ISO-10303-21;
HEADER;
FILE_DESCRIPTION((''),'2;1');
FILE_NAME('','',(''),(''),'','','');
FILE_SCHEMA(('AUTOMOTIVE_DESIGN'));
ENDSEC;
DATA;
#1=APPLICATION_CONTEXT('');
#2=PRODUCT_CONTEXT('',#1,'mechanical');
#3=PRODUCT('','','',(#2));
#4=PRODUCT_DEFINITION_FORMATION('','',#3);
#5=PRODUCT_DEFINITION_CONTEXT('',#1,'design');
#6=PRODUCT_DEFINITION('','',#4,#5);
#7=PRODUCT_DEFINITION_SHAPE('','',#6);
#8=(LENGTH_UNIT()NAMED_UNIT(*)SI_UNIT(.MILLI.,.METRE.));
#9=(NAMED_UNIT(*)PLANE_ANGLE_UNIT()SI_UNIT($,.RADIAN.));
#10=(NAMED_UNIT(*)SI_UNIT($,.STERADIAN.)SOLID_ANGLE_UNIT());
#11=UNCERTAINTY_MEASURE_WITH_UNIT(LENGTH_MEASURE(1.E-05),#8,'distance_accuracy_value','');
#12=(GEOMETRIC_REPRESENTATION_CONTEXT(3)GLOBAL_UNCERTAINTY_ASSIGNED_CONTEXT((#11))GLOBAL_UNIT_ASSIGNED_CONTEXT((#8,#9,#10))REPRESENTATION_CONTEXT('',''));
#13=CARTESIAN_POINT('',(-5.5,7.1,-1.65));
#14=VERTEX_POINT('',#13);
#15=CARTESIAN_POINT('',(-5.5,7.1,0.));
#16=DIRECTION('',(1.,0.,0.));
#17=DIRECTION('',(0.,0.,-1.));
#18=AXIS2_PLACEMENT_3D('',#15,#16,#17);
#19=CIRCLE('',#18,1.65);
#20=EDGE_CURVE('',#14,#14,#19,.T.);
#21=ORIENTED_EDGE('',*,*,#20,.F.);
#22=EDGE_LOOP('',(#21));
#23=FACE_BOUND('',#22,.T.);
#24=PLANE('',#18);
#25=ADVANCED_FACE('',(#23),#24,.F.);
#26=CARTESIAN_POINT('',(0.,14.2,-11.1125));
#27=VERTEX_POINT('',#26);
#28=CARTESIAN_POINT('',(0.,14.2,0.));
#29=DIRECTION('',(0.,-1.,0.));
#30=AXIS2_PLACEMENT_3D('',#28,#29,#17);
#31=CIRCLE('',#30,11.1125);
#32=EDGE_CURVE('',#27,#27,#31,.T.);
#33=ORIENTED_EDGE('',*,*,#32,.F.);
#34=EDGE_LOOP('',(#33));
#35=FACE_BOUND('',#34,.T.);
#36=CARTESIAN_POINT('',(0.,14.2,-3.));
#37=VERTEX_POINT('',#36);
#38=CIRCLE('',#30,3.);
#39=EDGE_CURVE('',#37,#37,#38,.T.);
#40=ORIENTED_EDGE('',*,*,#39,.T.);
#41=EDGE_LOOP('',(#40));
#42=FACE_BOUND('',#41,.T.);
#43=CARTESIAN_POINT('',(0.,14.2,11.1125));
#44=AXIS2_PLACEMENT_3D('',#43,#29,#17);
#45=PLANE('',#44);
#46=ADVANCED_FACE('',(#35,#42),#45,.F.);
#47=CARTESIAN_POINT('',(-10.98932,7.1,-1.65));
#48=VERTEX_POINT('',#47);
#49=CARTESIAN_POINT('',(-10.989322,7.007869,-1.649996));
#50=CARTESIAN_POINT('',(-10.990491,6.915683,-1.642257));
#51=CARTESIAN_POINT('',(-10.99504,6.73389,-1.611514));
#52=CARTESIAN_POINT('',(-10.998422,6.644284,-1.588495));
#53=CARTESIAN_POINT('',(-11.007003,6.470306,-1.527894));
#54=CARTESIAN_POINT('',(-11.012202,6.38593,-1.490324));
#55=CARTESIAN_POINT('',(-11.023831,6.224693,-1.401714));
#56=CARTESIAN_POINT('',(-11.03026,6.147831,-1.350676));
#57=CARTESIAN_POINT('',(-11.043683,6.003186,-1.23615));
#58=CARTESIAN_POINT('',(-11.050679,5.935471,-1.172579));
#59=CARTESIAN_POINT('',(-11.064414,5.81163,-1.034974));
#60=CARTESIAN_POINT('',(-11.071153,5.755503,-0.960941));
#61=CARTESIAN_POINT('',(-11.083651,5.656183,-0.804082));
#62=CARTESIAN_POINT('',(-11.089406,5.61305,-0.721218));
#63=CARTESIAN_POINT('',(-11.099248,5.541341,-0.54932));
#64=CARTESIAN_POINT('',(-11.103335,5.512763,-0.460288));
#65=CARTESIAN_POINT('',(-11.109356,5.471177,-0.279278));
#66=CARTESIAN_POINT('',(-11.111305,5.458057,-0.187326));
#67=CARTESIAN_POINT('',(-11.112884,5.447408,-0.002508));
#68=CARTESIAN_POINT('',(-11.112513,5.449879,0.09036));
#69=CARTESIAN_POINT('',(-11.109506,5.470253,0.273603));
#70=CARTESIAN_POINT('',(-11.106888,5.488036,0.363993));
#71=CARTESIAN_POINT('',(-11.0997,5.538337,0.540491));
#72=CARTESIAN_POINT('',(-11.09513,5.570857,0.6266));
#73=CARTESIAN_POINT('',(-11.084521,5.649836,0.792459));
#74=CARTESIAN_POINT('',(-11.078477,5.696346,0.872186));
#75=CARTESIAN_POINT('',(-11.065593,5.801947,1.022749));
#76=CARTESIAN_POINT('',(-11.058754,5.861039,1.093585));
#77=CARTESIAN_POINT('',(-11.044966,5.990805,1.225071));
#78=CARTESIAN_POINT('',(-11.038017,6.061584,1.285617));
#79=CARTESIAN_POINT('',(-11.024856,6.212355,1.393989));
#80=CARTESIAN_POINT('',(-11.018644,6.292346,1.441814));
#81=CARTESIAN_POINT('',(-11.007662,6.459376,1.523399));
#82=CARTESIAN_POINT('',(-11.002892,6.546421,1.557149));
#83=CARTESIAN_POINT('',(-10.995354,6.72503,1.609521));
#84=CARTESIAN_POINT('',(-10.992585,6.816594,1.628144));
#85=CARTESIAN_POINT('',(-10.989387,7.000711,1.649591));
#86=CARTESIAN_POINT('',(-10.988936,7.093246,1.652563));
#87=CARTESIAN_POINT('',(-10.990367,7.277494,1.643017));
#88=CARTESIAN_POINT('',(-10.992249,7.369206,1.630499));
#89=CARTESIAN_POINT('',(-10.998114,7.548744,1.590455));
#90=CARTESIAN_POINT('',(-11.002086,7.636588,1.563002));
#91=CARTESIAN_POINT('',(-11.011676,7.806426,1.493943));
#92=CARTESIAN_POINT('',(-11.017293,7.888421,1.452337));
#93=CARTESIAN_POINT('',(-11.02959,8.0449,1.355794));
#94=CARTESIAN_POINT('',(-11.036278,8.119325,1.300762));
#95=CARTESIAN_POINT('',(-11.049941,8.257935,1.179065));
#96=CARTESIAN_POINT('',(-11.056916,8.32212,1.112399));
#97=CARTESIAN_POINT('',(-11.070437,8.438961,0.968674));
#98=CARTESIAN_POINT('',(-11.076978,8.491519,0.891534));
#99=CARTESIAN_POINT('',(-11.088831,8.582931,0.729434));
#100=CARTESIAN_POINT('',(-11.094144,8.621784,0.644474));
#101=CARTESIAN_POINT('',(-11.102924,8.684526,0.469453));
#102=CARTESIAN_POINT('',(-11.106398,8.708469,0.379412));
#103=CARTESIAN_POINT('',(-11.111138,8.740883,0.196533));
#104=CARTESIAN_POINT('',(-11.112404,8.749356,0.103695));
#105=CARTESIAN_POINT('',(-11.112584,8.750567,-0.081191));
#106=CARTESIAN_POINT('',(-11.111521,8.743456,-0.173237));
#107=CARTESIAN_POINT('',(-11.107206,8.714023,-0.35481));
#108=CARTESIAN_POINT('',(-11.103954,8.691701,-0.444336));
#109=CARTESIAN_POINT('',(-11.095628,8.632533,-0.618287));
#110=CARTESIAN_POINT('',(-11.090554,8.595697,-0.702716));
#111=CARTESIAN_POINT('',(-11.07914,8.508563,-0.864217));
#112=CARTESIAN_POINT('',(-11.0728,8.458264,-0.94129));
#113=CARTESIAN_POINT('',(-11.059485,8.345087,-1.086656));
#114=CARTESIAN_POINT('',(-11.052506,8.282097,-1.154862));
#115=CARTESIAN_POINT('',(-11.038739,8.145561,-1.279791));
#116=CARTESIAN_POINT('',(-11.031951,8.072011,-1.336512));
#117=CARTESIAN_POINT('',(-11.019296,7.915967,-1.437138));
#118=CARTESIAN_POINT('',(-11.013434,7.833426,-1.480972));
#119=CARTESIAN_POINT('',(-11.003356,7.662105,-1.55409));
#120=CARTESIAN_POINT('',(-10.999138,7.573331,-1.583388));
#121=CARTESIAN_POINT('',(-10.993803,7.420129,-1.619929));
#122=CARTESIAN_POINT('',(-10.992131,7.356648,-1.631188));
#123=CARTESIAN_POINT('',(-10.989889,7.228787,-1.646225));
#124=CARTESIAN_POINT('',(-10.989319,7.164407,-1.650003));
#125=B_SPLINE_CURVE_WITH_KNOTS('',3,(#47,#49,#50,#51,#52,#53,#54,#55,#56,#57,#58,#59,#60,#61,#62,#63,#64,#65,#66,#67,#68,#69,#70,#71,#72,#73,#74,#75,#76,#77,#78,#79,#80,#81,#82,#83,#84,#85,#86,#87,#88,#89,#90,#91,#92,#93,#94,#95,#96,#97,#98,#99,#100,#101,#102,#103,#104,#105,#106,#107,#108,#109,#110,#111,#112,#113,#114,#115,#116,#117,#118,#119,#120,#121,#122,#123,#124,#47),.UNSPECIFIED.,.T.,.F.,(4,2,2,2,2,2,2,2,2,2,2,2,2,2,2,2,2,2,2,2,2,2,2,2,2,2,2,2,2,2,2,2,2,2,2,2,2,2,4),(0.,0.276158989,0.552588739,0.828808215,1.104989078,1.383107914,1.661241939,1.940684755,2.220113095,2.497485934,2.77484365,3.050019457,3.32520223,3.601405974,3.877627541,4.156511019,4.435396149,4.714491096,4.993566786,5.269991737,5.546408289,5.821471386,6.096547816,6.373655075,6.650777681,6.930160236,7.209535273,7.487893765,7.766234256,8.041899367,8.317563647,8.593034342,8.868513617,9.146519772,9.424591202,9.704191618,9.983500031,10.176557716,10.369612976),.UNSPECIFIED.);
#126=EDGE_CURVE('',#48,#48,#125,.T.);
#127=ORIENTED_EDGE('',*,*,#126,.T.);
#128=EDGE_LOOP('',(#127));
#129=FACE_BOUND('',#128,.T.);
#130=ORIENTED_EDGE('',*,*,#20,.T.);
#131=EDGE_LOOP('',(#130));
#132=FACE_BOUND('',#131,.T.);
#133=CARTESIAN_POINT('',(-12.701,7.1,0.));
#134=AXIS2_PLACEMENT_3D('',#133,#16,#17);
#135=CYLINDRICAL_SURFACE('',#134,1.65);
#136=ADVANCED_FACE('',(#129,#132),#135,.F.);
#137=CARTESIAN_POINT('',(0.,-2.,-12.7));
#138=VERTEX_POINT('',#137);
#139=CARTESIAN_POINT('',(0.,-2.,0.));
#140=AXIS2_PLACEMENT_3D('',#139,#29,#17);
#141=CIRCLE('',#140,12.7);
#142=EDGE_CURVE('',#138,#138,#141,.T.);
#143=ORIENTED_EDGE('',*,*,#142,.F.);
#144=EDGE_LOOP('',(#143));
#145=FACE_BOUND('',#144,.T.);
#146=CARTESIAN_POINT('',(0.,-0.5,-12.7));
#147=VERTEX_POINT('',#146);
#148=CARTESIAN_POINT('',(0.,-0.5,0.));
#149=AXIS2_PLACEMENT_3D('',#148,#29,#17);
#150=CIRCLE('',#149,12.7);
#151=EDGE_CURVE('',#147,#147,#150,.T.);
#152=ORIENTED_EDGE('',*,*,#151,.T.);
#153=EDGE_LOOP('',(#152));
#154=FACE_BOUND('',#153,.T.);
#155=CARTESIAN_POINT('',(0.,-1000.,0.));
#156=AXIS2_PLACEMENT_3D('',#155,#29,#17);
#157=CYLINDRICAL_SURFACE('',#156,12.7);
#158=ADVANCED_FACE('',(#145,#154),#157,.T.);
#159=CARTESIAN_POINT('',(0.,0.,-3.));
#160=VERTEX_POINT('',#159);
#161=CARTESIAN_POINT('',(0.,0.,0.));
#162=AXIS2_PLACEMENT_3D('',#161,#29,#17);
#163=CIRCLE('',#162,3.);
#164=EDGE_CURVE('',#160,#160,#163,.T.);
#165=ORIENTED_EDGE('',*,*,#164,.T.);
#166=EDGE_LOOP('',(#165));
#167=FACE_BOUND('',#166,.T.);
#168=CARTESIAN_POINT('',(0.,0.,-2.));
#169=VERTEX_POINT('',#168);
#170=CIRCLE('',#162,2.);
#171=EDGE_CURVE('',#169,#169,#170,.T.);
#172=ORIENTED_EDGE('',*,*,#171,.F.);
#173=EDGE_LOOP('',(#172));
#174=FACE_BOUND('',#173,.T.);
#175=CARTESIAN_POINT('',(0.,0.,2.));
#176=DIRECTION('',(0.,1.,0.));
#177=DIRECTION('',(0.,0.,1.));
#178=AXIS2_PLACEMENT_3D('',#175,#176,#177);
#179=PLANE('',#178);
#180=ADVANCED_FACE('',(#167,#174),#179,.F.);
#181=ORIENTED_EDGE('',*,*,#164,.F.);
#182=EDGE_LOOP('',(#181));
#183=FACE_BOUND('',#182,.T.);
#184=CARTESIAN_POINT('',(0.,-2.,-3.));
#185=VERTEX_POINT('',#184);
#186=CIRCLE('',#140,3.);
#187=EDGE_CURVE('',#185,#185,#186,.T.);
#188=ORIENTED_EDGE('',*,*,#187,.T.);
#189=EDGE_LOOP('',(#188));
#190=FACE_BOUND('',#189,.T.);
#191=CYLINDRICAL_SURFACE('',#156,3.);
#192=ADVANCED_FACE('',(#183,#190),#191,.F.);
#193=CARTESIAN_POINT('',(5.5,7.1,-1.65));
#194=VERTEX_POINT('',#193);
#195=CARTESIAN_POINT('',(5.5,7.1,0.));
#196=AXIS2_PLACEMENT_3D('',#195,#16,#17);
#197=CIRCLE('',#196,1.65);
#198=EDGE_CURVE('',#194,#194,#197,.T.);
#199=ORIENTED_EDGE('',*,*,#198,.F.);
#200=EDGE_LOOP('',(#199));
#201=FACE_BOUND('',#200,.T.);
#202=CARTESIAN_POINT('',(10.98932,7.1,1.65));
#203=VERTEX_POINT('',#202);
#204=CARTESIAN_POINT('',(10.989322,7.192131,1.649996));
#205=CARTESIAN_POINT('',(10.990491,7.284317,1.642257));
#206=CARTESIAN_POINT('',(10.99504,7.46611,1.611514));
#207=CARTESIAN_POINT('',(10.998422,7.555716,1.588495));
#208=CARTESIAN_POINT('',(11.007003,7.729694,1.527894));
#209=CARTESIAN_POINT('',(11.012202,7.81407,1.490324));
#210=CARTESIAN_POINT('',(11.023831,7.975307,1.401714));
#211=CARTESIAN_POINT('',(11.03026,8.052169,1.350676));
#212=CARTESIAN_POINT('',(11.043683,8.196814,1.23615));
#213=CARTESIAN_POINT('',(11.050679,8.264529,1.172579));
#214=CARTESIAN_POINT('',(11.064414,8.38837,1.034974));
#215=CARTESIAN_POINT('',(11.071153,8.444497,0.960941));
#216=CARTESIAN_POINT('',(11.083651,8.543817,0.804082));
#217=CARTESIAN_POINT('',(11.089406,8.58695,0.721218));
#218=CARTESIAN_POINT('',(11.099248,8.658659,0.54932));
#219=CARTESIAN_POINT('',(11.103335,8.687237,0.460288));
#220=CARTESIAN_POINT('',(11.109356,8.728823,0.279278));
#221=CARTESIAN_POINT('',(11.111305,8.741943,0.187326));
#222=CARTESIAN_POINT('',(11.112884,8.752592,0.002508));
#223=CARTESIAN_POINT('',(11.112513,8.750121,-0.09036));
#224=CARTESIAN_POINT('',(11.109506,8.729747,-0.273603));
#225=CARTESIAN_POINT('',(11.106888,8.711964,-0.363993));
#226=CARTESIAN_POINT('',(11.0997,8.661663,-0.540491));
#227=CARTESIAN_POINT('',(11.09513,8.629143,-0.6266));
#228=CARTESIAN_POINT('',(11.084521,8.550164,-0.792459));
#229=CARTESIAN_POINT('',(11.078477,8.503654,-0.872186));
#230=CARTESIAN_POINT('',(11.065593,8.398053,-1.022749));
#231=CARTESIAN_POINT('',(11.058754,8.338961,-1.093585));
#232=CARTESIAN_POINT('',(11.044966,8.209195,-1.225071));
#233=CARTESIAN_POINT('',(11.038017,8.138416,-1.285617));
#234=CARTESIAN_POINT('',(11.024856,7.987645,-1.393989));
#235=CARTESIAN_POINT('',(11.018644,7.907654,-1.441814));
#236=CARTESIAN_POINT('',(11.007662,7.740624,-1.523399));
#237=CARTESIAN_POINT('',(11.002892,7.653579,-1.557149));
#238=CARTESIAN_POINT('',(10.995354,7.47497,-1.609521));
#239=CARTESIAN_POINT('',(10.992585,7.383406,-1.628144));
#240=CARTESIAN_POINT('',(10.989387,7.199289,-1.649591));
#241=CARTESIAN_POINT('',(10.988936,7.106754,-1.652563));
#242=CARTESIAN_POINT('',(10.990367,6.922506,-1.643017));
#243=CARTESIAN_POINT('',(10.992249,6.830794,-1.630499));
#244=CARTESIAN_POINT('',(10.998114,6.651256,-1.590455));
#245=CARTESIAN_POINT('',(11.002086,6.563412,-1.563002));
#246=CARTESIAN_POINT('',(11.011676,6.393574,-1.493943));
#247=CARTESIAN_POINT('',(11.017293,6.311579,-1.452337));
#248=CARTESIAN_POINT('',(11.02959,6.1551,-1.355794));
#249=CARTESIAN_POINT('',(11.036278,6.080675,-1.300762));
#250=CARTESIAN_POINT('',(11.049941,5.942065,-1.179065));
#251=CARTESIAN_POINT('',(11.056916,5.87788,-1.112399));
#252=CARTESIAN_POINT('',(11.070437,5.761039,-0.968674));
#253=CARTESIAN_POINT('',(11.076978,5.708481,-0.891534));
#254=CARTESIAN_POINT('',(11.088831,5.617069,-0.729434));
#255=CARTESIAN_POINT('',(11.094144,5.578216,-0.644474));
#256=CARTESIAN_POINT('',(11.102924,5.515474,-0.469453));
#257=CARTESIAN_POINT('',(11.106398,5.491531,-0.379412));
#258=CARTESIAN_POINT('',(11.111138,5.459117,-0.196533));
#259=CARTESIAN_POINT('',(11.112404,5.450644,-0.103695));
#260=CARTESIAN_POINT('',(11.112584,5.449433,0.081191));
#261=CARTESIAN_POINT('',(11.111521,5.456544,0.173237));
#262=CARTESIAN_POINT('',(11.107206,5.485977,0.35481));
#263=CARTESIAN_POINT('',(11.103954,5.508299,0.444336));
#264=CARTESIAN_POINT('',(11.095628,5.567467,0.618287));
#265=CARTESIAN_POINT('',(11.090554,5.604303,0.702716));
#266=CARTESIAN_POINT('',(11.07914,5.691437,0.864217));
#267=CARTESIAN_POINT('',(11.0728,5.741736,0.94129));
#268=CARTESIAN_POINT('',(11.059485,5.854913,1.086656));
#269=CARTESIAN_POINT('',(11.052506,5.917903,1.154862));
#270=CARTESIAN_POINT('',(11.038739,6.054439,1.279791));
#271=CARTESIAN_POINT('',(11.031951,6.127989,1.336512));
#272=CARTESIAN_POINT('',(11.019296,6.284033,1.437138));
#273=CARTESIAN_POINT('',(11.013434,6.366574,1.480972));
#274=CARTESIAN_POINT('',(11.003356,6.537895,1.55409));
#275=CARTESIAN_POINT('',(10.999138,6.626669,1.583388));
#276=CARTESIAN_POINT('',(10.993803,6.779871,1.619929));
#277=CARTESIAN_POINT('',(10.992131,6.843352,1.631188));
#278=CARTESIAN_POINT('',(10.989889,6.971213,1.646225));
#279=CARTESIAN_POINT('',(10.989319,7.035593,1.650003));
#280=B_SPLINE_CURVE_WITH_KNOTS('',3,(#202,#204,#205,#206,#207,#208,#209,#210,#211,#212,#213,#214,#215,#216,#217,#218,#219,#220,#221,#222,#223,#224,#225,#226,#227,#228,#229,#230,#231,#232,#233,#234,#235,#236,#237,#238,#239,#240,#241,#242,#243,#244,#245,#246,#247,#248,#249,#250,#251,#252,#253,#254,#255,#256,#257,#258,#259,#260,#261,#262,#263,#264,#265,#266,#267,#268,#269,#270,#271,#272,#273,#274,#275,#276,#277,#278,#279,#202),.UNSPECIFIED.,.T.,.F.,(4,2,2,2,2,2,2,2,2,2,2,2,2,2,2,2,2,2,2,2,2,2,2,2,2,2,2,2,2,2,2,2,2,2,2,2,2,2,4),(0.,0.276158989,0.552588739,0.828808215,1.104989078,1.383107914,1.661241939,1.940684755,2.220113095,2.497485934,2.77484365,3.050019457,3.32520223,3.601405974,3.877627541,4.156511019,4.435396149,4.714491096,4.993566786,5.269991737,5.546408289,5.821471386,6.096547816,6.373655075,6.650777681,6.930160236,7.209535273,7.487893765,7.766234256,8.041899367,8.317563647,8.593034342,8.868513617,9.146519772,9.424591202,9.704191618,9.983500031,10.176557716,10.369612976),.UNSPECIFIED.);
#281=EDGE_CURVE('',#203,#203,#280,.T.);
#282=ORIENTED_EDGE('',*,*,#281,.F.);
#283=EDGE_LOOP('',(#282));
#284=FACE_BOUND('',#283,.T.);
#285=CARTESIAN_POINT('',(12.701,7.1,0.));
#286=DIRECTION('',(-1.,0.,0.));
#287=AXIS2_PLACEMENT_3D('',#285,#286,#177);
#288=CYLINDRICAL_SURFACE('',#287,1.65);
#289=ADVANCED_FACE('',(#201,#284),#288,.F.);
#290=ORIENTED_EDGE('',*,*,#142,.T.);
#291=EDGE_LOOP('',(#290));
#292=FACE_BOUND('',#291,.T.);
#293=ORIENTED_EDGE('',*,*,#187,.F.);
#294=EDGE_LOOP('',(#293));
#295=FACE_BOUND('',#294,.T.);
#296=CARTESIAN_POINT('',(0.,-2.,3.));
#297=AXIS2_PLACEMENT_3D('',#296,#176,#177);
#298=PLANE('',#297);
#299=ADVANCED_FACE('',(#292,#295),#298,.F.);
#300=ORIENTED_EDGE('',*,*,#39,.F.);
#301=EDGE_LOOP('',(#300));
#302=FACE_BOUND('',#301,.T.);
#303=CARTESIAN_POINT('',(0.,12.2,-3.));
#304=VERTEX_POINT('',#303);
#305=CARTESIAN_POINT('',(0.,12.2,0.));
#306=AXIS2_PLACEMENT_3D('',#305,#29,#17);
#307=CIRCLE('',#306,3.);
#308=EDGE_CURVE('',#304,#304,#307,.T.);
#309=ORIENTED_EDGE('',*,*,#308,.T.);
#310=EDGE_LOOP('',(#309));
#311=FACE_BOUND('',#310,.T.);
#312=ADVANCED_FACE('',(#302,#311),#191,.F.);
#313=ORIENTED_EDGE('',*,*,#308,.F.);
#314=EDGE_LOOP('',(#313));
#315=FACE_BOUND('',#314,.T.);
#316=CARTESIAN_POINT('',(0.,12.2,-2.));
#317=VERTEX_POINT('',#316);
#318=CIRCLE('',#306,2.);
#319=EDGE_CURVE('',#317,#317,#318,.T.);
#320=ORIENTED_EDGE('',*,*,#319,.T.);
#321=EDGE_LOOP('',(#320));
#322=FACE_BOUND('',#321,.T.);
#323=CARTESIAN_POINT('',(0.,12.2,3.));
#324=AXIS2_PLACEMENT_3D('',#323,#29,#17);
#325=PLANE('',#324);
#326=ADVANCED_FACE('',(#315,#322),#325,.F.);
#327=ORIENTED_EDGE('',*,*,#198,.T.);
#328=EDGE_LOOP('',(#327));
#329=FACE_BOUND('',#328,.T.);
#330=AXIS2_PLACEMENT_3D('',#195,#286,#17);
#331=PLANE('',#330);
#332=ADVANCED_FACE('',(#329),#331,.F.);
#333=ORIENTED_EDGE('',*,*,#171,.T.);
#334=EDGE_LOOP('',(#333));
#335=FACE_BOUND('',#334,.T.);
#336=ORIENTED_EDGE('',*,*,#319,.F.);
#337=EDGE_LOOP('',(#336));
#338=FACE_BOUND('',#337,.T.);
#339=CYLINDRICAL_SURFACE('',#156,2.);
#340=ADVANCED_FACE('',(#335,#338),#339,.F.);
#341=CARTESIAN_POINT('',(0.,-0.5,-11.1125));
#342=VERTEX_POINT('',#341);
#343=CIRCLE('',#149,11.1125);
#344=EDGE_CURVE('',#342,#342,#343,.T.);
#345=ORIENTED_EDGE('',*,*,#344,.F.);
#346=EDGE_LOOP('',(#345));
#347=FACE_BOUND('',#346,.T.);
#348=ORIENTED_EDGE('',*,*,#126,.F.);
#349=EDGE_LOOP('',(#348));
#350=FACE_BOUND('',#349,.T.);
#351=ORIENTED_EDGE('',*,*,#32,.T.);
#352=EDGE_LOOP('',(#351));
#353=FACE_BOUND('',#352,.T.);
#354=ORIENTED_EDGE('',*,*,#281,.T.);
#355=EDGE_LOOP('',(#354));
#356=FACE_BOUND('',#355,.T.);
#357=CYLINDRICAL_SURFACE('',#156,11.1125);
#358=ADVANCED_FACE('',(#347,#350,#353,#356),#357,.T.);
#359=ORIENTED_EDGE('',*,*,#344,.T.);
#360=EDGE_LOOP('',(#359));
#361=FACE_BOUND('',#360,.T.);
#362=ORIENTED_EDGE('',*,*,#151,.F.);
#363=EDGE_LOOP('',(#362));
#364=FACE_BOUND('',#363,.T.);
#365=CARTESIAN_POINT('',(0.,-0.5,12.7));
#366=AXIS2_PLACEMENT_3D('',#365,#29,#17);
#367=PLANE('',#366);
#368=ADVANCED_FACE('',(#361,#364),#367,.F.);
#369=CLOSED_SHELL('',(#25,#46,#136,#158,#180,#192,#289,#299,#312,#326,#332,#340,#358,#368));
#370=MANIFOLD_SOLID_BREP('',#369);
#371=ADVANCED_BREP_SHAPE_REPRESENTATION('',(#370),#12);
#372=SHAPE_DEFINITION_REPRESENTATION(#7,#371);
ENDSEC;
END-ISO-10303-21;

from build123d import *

# Parameters (mm, degrees)
CUT_EXTRUDE1_REACH      = 30.396
CUT_EXTRUDE1_END_RADIUS = 11.1125
CUT_EXTRUDE1_START      = -5.5
SKETCH2_R               = 1.65


with BuildPart() as part:
    # Sketch1 → Revolve1 (revolve)
    with BuildSketch(Plane(origin=(0, 0, 0), x_dir=(0, 0, -1), z_dir=(1, 0, 0)), mode=Mode.PRIVATE) as revolve1_sk:
        Polygon((-2, 0), (-3, 0), (-3, -2), (-12.7, -2), (-12.7, -0.5), (-11.1125, -0.5), (-11.1125, 14.2), (-3, 14.2), (-3, 12.2), (-2, 12.2), align=None)
    revolve(revolve1_sk.sketch.rotate(Axis((0, -1000, 0), (0, 1, 0)), 180), axis=Axis((0, -1000, 0), (0, 1, 0)))

    # Cut-Extrude1: up to this cylinder (the profile starts inside it)
    cut_extrude1_end = Plane(origin=(0, 7.1, 0), z_dir=(0, -1, 0)) * Cylinder(CUT_EXTRUDE1_END_RADIUS, 84.017, mode=Mode.PRIVATE)
    # Sketch2 → Cut-Extrude1 (cut, up to the surface)
    with BuildSketch(Plane(origin=(0, 0, 0), x_dir=(0, 0, -1), z_dir=(1, 0, 0)).offset(CUT_EXTRUDE1_START), mode=Mode.PRIVATE) as cut_extrude1_sk1:
        with Locations((0, 7.1)):
            Circle(SKETCH2_R)
    cut_extrude1_tool1 = extrude(cut_extrude1_sk1.sketch, amount=-CUT_EXTRUDE1_REACH, mode=Mode.PRIVATE) & cut_extrude1_end
    cut_extrude1 = cut_extrude1_tool1.solids().sort_by_distance((-5.5, 7.1, 0))[0]
    add(cut_extrude1, mode=Mode.SUBTRACT)

    # Mirror1: Cut-Extrude1 across plane
    add(cut_extrude1.mirror(Plane(origin=(0, 0, 0), x_dir=(0, 0, 1), z_dir=(1, 0, 0))), mode=Mode.SUBTRACT)


solid = part.part
